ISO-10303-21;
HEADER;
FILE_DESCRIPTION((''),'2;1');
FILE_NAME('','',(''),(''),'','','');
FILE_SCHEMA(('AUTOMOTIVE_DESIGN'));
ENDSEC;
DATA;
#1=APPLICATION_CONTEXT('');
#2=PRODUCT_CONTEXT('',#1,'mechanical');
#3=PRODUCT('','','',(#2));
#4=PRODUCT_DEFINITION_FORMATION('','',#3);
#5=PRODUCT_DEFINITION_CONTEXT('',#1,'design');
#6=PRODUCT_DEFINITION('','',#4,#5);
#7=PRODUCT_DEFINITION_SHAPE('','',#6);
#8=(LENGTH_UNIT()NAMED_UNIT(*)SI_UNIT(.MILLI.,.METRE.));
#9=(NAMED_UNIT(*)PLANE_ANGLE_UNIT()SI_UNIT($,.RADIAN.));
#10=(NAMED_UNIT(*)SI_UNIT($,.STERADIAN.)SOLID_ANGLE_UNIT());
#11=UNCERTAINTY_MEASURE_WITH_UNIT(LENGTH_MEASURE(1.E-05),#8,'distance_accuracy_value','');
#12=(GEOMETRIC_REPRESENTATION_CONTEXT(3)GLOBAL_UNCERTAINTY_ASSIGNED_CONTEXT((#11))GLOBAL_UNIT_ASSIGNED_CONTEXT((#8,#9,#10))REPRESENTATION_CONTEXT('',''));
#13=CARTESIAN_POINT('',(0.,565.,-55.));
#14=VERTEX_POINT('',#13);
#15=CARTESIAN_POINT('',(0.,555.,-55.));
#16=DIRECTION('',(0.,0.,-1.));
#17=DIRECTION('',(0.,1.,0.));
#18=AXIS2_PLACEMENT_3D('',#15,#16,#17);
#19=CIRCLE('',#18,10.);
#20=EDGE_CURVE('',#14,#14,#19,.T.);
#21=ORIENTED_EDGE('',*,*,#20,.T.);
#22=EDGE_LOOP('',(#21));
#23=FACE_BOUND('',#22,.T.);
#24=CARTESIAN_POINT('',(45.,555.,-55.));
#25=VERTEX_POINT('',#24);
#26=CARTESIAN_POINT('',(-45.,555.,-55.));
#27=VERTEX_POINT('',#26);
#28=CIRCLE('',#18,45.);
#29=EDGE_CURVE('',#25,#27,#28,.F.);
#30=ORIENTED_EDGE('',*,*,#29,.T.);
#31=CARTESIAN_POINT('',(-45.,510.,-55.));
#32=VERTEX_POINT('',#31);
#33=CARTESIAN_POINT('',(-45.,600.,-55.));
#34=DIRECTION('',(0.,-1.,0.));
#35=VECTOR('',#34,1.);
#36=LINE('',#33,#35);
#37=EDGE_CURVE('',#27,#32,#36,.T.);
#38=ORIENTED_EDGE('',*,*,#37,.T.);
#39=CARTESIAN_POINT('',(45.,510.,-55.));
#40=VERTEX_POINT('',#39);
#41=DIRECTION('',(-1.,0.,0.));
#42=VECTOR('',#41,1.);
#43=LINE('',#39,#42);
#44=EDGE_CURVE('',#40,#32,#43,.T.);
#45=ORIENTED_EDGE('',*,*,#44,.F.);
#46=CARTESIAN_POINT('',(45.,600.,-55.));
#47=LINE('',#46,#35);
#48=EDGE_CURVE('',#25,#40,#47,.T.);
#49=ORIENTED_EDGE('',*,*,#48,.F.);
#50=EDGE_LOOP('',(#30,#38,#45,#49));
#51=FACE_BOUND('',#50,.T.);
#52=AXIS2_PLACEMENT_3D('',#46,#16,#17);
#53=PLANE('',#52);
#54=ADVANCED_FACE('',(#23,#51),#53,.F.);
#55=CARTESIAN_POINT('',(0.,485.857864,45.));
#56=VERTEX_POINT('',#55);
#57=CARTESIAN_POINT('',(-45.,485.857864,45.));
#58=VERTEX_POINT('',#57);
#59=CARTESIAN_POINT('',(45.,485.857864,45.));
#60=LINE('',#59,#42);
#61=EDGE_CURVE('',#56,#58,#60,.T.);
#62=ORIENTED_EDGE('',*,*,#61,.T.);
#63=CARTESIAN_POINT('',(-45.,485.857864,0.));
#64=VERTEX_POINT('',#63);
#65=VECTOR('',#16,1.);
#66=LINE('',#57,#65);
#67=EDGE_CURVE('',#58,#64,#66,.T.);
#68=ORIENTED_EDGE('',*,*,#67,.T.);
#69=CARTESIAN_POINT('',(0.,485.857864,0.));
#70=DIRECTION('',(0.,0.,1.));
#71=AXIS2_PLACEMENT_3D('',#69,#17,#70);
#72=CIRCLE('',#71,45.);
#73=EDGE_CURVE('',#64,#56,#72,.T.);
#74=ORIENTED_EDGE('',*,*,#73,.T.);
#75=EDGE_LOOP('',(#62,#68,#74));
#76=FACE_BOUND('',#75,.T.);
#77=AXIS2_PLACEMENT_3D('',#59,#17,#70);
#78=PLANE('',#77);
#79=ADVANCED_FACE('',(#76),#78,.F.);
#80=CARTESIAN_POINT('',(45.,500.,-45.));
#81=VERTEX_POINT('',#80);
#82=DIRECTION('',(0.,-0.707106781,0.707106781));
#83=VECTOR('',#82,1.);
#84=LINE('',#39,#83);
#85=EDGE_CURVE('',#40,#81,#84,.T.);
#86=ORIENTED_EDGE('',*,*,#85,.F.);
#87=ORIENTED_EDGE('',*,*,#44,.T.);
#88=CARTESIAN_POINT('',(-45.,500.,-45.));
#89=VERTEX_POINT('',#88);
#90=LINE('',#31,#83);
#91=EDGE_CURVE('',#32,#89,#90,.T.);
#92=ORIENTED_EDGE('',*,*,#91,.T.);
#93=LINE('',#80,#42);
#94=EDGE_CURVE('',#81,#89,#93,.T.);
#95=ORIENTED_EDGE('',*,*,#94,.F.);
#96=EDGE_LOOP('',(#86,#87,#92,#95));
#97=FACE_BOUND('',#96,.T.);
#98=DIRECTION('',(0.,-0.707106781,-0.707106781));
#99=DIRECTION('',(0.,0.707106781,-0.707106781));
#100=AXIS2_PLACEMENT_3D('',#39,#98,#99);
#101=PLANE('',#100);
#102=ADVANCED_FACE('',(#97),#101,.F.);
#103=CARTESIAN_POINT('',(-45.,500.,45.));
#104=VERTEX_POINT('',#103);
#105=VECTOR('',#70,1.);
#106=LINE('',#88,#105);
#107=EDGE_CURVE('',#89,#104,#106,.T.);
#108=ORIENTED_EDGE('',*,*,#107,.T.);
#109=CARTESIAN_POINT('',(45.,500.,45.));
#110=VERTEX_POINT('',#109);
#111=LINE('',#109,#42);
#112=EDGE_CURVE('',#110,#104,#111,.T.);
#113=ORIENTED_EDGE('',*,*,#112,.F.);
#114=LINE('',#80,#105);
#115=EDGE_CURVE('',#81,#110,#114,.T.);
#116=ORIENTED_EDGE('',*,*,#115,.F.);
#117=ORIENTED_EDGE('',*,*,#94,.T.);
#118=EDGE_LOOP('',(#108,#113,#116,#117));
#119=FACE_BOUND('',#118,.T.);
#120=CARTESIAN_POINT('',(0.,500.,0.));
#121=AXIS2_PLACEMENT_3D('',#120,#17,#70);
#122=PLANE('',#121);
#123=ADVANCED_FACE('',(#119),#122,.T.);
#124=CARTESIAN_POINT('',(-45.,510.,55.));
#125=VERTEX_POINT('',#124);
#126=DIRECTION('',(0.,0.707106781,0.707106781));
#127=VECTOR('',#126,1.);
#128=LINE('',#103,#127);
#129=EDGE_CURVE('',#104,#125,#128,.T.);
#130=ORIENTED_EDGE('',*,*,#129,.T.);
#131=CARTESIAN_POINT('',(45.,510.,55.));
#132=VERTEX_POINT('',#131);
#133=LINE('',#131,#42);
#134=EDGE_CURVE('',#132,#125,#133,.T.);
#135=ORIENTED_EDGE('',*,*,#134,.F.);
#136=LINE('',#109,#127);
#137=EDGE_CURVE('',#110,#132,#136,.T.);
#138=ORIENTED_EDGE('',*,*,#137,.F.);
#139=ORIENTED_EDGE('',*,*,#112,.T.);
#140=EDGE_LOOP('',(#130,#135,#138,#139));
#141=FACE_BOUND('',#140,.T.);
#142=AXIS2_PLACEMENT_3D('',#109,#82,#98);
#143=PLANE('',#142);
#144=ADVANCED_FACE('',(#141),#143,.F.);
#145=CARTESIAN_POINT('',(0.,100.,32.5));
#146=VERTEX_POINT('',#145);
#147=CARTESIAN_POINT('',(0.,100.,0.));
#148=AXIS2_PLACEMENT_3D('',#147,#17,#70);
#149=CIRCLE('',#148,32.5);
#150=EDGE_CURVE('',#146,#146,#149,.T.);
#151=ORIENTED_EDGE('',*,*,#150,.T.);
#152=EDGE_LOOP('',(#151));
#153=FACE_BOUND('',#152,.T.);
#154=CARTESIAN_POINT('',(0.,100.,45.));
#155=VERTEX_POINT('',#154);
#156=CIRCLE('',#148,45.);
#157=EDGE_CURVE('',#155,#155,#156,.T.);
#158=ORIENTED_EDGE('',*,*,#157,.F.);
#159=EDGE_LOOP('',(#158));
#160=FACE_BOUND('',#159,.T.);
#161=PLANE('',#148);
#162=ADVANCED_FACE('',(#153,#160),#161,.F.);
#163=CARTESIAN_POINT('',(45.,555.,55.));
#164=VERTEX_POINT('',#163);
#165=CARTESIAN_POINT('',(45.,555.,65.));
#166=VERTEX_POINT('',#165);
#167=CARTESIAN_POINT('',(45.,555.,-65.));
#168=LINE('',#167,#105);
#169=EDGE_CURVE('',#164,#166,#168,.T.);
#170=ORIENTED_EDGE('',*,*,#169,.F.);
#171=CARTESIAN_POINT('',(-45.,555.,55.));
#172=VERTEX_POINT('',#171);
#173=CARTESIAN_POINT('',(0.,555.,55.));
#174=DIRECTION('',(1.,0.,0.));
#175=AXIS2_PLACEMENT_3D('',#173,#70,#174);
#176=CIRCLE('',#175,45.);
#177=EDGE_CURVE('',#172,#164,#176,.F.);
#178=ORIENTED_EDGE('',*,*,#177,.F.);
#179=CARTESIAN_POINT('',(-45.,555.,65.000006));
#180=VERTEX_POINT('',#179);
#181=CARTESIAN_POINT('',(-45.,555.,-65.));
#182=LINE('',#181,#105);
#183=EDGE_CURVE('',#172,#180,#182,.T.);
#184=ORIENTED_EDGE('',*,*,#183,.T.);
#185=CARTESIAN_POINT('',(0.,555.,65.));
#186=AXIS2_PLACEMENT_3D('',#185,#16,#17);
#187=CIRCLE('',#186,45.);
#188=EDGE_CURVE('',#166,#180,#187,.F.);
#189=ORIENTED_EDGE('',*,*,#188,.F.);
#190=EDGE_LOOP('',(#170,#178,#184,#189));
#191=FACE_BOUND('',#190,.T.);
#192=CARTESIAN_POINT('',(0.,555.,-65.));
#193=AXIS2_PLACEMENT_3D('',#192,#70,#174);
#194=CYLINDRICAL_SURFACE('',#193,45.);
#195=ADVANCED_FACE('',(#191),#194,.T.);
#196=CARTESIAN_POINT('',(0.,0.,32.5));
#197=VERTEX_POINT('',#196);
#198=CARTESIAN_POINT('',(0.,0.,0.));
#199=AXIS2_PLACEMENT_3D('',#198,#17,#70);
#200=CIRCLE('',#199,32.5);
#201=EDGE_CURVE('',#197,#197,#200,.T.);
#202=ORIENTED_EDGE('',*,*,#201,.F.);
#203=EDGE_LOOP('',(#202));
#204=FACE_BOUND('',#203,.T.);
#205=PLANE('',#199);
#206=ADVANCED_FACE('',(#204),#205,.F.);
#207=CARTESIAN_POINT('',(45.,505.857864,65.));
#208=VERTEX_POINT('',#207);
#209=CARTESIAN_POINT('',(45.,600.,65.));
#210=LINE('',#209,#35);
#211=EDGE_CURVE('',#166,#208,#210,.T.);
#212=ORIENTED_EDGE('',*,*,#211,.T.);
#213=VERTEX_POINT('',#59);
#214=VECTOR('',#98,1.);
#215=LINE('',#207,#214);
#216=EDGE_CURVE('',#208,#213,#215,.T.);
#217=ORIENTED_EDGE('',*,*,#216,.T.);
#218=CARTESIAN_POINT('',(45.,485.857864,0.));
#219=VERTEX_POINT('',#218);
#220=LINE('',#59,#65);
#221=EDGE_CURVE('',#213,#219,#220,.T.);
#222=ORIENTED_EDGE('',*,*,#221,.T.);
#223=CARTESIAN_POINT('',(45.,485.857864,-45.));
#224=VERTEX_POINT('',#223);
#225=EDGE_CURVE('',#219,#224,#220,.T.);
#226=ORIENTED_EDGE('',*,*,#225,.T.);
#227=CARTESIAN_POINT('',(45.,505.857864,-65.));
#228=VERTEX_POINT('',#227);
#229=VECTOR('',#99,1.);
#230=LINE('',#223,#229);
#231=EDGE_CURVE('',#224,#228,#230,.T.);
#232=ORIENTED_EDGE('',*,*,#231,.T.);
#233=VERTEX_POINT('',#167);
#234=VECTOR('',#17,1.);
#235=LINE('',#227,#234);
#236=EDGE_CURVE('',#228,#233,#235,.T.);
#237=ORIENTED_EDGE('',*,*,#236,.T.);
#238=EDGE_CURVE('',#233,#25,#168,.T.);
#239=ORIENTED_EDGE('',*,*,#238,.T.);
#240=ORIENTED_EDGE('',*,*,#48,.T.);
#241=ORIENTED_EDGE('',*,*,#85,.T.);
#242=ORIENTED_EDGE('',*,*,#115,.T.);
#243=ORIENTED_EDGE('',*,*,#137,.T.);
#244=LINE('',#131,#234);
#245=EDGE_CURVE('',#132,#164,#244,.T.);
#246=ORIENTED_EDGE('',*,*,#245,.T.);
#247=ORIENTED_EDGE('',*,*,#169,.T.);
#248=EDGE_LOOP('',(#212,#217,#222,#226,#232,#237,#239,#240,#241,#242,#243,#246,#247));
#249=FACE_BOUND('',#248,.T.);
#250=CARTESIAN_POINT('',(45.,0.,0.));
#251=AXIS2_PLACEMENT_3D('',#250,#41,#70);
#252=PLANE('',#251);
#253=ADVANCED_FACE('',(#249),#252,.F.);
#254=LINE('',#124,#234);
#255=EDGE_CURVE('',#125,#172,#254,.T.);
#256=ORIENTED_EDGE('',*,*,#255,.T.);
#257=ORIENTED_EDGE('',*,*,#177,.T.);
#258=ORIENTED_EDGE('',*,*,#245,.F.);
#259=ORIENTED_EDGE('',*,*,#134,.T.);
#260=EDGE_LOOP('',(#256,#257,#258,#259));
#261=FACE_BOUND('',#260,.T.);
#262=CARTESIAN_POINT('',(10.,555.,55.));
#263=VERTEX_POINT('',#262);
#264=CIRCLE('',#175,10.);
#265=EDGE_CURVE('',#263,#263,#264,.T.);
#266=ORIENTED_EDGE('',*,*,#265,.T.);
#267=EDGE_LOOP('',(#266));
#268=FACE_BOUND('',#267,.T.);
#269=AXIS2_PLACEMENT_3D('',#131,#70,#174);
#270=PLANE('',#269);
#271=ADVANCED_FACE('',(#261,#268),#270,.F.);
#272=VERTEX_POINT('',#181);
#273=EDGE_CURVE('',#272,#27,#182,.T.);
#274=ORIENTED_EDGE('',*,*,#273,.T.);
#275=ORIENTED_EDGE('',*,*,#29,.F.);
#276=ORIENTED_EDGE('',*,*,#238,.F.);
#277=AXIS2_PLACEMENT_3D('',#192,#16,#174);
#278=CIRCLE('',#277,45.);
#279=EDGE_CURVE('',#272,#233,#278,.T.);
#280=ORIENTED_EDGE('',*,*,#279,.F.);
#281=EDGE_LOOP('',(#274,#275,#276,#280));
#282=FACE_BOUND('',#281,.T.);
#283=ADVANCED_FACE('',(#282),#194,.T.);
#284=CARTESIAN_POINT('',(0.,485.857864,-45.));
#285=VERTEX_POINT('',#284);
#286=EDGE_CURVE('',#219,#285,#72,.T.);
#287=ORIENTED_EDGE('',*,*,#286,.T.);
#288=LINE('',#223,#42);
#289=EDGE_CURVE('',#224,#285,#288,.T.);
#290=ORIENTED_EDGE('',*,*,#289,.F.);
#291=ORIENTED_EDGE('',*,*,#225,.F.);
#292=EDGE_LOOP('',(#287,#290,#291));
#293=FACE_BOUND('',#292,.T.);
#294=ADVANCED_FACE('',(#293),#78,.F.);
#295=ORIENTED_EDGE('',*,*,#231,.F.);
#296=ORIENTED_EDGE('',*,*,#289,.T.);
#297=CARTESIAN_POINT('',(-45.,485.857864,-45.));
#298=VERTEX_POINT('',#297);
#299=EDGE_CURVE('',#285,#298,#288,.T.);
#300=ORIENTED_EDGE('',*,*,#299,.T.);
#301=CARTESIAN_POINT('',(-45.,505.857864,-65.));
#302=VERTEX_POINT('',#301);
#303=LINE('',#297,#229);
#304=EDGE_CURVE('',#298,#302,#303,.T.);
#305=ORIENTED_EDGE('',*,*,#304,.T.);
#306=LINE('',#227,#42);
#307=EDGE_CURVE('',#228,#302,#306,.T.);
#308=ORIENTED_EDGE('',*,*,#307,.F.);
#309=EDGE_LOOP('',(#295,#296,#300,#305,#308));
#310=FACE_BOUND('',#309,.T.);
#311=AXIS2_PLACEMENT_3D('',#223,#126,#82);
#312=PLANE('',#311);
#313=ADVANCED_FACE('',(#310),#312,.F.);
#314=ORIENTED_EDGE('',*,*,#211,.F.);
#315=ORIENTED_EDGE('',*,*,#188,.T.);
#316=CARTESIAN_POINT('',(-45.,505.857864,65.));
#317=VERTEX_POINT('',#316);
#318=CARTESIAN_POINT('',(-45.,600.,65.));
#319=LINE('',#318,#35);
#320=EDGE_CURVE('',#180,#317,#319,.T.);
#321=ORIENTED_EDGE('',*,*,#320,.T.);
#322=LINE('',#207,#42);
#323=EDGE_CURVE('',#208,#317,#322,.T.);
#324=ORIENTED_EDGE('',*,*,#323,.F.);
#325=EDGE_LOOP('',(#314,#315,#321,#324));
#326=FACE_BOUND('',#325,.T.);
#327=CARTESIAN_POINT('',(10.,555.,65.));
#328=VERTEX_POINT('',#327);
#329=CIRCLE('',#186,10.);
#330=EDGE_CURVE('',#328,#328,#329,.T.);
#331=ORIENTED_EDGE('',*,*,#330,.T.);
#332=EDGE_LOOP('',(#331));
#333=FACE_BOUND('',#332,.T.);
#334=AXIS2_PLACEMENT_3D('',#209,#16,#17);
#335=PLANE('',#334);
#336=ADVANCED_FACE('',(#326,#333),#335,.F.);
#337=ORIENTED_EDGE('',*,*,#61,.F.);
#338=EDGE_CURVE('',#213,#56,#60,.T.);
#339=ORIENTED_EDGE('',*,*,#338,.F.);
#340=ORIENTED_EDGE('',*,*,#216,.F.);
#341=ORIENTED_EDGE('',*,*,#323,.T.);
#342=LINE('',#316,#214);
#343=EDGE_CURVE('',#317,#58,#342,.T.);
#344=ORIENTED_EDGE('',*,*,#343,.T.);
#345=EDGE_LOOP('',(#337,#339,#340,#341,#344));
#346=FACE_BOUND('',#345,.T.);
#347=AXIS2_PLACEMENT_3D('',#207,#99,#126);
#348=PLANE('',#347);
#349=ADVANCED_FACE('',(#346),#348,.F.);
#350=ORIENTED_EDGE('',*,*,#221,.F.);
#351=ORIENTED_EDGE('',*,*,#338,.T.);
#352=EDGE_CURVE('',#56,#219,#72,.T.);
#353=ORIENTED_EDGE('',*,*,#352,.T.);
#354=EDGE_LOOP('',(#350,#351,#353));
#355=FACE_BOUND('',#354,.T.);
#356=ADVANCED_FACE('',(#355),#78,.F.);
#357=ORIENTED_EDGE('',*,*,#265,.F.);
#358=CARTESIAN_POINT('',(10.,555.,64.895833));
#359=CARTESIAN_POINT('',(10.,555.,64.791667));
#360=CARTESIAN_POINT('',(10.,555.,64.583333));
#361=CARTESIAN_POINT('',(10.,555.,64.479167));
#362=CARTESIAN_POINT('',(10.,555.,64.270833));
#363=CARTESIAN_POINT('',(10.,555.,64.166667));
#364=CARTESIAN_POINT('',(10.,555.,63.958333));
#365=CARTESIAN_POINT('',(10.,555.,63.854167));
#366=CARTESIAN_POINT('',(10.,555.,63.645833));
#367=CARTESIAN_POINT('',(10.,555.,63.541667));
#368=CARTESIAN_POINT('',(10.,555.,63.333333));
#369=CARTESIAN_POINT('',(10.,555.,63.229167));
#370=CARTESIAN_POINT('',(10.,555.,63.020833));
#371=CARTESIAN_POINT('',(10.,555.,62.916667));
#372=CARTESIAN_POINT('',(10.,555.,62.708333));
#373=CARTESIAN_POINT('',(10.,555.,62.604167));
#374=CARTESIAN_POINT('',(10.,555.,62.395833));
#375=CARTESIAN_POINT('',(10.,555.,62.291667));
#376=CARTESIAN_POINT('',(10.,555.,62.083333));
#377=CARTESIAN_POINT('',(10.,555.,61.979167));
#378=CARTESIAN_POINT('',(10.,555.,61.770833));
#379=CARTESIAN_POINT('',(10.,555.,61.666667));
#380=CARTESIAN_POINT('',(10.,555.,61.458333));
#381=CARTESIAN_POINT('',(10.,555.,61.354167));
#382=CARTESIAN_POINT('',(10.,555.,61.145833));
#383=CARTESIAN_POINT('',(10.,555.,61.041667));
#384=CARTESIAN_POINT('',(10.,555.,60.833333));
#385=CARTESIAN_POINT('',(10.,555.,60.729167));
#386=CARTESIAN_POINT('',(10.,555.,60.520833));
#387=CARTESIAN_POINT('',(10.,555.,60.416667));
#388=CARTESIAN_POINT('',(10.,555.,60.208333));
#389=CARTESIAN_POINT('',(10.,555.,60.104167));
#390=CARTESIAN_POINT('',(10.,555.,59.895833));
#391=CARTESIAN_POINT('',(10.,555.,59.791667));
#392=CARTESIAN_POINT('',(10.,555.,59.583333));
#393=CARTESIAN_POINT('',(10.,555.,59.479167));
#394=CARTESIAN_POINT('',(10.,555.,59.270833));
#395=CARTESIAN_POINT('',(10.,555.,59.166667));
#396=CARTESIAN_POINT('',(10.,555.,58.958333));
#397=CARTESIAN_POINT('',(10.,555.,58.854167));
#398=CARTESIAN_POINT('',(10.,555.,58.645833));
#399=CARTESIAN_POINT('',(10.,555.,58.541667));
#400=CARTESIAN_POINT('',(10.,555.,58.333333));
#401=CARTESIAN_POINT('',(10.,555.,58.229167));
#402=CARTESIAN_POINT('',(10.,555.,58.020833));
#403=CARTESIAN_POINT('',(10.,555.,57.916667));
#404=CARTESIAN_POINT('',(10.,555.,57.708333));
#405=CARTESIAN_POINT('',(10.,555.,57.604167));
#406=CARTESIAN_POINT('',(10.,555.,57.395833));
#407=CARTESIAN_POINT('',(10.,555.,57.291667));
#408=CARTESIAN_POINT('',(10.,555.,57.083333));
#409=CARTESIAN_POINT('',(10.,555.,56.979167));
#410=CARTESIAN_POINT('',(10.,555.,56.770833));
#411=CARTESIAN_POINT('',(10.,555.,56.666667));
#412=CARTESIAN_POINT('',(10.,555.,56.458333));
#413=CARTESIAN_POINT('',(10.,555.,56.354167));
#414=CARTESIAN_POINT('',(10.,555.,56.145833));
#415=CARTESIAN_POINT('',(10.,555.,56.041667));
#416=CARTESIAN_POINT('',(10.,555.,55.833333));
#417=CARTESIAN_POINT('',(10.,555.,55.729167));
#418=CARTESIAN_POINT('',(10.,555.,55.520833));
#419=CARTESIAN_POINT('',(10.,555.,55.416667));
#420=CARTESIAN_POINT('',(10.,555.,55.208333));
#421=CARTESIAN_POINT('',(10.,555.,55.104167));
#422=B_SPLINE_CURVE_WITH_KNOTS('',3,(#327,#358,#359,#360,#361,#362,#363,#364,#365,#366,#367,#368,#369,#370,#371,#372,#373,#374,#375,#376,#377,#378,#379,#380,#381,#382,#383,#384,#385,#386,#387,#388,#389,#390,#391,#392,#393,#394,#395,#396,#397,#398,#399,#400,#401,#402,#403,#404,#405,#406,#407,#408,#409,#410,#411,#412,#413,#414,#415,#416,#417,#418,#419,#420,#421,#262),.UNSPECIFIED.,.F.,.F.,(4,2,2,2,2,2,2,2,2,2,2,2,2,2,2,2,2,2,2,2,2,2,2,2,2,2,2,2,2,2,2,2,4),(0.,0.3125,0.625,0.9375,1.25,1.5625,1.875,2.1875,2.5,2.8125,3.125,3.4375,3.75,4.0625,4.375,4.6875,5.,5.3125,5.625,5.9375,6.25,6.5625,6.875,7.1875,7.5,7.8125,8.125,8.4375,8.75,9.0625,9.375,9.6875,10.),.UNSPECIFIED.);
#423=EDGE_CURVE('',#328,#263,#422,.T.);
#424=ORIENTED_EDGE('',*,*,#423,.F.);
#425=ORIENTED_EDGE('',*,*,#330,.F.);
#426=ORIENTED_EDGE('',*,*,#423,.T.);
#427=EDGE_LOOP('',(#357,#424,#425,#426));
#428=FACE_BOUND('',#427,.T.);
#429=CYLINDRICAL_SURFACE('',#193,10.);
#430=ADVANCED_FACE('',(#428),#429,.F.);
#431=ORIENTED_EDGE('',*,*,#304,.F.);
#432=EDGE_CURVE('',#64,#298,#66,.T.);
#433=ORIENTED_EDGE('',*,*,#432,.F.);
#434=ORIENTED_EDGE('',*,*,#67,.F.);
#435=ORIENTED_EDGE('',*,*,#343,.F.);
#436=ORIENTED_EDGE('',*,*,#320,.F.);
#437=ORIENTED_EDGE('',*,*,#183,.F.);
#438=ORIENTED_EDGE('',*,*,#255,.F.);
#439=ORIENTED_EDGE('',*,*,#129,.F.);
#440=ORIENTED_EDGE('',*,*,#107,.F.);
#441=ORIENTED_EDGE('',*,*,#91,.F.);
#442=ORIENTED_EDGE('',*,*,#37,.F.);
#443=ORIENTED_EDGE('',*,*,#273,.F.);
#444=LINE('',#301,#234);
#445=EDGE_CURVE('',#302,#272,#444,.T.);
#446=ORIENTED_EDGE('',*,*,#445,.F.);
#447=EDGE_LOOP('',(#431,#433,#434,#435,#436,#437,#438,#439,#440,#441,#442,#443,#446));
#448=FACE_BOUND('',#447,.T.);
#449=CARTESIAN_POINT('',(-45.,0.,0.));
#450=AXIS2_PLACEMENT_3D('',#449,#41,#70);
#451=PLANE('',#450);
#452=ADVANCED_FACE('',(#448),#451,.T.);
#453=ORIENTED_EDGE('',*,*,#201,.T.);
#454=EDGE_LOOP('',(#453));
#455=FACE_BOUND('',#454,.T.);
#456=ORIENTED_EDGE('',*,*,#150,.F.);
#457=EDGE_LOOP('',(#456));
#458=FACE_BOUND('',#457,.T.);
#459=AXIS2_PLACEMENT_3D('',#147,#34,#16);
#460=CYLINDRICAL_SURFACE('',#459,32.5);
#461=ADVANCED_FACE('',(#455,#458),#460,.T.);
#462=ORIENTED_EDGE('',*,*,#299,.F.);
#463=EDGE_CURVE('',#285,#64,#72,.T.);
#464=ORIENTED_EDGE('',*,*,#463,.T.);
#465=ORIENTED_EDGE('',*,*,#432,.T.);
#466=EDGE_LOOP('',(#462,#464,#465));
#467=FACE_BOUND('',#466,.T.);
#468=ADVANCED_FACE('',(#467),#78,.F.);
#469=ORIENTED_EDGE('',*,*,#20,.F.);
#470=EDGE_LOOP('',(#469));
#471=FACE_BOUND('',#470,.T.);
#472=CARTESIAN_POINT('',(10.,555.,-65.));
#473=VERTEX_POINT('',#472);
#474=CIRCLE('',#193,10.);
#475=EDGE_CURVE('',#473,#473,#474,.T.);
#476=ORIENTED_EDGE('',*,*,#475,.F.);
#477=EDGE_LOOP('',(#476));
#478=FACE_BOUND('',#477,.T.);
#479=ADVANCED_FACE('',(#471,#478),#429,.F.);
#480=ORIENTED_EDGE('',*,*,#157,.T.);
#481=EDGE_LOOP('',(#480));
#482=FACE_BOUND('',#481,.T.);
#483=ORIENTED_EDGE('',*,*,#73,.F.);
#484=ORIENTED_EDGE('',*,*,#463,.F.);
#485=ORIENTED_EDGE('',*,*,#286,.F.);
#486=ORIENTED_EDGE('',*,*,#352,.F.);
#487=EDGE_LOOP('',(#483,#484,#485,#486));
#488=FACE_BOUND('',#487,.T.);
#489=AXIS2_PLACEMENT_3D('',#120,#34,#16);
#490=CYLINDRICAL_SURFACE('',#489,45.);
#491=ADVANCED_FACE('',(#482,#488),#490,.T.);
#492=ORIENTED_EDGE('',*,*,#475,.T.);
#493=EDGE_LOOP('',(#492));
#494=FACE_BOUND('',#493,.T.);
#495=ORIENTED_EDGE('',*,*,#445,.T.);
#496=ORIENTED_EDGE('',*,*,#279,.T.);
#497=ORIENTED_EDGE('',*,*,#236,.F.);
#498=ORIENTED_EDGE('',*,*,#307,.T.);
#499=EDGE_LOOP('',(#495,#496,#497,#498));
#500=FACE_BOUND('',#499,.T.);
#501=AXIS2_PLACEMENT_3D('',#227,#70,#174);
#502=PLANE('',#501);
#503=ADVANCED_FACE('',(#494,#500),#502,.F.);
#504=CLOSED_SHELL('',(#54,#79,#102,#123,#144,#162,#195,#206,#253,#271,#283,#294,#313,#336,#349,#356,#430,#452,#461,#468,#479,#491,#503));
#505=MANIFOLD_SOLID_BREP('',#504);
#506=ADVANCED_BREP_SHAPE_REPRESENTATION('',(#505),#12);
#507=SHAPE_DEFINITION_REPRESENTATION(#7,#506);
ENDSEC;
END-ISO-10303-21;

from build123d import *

# Parameters (mm, degrees)
SKETCH1_R               = 32.5
BOSS_EXTRUDE1_DEPTH     = 100
SKETCH2_R               = 45
BOSS_EXTRUDE2_DEPTH     = 400
BOSS_EXTRUDE3_DEPTH     = 45
CUT_EXTRUDE2_DEPTH      = 616.568842616
CUT_EXTRUDE2_DEPTH_BACK = 616.568842616
SKETCH7_R               = 10


with BuildPart() as part:
    # Sketch1 → Boss-Extrude1 (new body)
    with BuildSketch(Plane(origin=(0, 0, 0), x_dir=(1, 0, 0), z_dir=(0, 1, 0))):
        with Locations(Location((0, 0, 0), (0, 0, 270))):
            Circle(SKETCH1_R)
    extrude(amount=BOSS_EXTRUDE1_DEPTH)

    # Sketch2 → Boss-Extrude2 (add)
    with BuildSketch(Plane(origin=(0, 100, 0), x_dir=(1, 0, 0), z_dir=(0, 1, 0))):
        with Locations(Location((0, 0, 0), (0, 0, 270))):
            Circle(SKETCH2_R)
    extrude(amount=BOSS_EXTRUDE2_DEPTH)

    # Sketch6 → Boss-Extrude3 (add, symmetric)
    with BuildSketch(Plane(origin=(0, 0, 0), x_dir=(0, 0, -1), z_dir=(1, 0, 0))):
        Polygon((-45, 500), (-55, 510), (-55, 600), (-65, 600), (-65, 505.857864376), (-45, 485.857864376), (45, 485.857864376), (65, 505.857864376), (65, 600), (55, 600), (55, 510), (45, 500), align=None)
    extrude(amount=BOSS_EXTRUDE3_DEPTH, both=True)

    # Sketch7 → Cut-Extrude2 (cut, two sides: drawn at the far end of the back side and taken through both)
    with BuildSketch(Plane.XY.offset(65).offset(-CUT_EXTRUDE2_DEPTH_BACK)):
        with Locations((0, 555)):
            Circle(SKETCH7_R)
        with BuildLine():
            Line((-45, 555), (-45, 605))
            Line((-45, 605), (45, 605))
            Line((45, 605), (45, 555))
            ThreePointArc((45, 555), (0, 600), (-45, 555))
        make_face()
    extrude(amount=CUT_EXTRUDE2_DEPTH + CUT_EXTRUDE2_DEPTH_BACK, mode=Mode.SUBTRACT)


solid = part.part
